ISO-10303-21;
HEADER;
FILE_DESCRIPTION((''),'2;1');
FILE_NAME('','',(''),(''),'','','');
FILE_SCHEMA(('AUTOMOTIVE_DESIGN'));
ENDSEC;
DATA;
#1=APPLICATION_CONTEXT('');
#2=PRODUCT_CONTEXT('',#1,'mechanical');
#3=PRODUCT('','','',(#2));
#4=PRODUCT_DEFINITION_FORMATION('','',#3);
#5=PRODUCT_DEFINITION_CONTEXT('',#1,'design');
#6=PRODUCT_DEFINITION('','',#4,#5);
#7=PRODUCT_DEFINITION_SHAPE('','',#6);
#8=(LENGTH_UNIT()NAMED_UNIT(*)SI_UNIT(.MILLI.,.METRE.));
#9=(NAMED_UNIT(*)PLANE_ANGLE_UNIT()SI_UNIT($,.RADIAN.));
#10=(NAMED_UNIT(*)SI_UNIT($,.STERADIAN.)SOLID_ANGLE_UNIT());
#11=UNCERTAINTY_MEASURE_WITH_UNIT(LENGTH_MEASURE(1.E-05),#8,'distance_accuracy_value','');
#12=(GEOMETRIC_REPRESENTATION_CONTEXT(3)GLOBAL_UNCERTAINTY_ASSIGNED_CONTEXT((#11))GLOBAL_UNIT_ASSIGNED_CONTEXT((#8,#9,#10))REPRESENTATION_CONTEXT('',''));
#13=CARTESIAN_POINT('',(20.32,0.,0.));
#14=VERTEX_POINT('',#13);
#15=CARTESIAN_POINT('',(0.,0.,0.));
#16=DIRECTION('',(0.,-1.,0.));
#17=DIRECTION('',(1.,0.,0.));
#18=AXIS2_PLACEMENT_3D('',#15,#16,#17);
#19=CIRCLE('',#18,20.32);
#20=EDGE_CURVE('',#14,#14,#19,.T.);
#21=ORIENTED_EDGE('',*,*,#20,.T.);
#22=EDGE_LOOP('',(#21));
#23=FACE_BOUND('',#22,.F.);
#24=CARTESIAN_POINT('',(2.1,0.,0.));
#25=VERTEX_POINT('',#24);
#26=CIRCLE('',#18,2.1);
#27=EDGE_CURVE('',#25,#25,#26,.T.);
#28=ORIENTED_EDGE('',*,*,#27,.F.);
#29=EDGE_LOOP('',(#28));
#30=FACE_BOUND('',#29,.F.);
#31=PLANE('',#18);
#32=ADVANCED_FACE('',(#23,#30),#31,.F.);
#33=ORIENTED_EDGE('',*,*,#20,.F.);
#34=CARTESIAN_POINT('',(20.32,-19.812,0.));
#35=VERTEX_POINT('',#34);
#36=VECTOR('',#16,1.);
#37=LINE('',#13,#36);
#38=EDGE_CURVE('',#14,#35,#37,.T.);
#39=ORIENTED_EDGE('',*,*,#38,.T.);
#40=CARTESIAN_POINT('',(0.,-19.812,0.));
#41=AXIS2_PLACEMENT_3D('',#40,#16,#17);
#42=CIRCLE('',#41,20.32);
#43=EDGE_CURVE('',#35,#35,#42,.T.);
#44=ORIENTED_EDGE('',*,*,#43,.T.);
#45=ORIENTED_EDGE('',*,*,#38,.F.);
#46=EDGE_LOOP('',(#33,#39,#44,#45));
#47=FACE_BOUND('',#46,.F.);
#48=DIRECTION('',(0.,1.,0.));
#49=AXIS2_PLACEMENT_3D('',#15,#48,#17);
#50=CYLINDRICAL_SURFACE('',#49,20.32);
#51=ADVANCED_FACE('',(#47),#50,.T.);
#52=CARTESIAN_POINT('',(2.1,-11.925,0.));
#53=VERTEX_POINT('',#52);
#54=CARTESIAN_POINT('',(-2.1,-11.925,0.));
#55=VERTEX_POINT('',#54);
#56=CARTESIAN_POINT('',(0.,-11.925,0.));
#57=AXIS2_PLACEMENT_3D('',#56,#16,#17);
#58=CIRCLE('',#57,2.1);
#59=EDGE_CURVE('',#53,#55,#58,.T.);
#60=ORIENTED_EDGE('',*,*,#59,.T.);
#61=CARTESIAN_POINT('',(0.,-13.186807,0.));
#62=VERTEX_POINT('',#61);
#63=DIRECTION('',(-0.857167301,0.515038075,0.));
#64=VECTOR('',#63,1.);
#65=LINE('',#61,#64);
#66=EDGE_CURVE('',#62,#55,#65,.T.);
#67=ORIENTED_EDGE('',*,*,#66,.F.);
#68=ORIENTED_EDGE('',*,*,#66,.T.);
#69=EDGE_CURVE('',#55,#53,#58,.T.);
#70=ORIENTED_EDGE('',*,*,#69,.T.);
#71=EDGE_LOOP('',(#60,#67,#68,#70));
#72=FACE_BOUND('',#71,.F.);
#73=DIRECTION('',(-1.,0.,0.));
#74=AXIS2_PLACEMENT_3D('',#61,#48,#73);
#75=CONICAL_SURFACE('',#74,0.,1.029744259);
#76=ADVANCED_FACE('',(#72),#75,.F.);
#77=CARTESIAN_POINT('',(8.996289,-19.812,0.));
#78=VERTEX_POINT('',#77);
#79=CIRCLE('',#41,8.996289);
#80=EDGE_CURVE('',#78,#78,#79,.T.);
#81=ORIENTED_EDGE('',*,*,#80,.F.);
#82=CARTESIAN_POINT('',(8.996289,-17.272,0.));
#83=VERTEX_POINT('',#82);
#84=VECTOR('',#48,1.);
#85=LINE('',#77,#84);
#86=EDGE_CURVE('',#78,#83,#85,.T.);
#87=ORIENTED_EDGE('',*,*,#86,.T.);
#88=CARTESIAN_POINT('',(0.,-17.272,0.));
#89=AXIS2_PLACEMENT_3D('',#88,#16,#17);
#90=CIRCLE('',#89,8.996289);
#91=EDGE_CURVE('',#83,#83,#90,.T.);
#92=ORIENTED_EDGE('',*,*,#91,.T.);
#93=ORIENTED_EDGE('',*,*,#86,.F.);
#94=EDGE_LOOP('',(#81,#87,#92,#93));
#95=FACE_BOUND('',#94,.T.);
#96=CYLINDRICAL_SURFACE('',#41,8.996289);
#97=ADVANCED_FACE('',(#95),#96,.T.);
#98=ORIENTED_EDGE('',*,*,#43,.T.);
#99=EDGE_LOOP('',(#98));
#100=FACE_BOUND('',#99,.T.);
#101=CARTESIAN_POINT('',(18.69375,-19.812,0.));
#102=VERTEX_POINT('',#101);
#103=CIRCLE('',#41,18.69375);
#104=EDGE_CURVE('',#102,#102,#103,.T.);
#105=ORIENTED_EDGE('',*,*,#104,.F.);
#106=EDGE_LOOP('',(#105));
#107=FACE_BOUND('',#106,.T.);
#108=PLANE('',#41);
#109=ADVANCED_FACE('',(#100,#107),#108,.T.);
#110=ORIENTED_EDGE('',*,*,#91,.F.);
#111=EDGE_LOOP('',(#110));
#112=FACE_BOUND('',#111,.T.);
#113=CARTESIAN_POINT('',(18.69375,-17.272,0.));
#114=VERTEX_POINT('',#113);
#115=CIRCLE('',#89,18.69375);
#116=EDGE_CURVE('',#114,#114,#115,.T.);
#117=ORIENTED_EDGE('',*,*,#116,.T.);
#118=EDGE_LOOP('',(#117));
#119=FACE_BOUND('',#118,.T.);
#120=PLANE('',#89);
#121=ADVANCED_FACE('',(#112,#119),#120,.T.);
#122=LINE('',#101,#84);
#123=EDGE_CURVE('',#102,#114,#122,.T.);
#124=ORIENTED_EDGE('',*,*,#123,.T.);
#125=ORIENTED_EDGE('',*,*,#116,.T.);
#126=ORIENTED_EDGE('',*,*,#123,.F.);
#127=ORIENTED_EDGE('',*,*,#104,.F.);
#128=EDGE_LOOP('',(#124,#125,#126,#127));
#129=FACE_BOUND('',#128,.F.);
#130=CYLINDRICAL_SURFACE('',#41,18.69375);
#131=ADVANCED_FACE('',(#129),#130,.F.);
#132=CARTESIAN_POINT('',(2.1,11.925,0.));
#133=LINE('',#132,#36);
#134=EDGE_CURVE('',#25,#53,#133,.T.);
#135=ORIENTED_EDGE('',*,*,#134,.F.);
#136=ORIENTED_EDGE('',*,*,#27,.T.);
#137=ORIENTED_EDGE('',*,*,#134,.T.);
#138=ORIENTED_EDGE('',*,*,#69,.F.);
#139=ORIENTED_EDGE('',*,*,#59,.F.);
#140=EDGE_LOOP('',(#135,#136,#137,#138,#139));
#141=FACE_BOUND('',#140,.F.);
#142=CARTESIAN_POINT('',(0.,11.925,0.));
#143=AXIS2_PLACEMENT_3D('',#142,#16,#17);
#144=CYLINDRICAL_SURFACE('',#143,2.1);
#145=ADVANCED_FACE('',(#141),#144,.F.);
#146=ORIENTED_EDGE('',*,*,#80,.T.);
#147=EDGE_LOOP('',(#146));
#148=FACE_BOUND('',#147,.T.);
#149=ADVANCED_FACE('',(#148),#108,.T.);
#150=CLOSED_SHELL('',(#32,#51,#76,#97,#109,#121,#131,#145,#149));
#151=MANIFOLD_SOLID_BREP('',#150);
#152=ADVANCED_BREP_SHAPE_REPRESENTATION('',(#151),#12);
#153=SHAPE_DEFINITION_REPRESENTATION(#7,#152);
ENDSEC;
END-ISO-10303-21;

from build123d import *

# Parameters (mm, degrees)
F0_R     = 20.32
F1_DEPTH = 19.812
F2_R     = 18.6937497488
F2_R_2   = 8.9962892538
F3_DEPTH = 2.54
F5_D     = 4.2
F5_DEPTH = 11.925
F5_TIP   = 1.2618073


with BuildPart() as f1:
    # F0 (on Front) → F1 (new body)
    with BuildSketch(Plane.XZ):
        Circle(F0_R)
    extrude(amount=F1_DEPTH)

    # F2 (on face) → F3 (cut)
    with BuildSketch(Plane.XZ.offset(19.812)):
        Circle(F2_R)
        Circle(F2_R_2, mode=Mode.SUBTRACT)
    extrude(amount=-F3_DEPTH, mode=Mode.SUBTRACT)

    # F5
    with Locations(Plane(origin=(0, 0, 0), x_dir=(-1, 0, 0), z_dir=(0, 1, 0))):
        with Locations((0, 0)):
            Hole(F5_D / 2, depth=F5_DEPTH)
            with Locations((0, 0, -(F5_DEPTH + F5_TIP / 2))):  # 118° drill point
                Cone(0, F5_D / 2, F5_TIP, mode=Mode.SUBTRACT)


solid = f1.part
